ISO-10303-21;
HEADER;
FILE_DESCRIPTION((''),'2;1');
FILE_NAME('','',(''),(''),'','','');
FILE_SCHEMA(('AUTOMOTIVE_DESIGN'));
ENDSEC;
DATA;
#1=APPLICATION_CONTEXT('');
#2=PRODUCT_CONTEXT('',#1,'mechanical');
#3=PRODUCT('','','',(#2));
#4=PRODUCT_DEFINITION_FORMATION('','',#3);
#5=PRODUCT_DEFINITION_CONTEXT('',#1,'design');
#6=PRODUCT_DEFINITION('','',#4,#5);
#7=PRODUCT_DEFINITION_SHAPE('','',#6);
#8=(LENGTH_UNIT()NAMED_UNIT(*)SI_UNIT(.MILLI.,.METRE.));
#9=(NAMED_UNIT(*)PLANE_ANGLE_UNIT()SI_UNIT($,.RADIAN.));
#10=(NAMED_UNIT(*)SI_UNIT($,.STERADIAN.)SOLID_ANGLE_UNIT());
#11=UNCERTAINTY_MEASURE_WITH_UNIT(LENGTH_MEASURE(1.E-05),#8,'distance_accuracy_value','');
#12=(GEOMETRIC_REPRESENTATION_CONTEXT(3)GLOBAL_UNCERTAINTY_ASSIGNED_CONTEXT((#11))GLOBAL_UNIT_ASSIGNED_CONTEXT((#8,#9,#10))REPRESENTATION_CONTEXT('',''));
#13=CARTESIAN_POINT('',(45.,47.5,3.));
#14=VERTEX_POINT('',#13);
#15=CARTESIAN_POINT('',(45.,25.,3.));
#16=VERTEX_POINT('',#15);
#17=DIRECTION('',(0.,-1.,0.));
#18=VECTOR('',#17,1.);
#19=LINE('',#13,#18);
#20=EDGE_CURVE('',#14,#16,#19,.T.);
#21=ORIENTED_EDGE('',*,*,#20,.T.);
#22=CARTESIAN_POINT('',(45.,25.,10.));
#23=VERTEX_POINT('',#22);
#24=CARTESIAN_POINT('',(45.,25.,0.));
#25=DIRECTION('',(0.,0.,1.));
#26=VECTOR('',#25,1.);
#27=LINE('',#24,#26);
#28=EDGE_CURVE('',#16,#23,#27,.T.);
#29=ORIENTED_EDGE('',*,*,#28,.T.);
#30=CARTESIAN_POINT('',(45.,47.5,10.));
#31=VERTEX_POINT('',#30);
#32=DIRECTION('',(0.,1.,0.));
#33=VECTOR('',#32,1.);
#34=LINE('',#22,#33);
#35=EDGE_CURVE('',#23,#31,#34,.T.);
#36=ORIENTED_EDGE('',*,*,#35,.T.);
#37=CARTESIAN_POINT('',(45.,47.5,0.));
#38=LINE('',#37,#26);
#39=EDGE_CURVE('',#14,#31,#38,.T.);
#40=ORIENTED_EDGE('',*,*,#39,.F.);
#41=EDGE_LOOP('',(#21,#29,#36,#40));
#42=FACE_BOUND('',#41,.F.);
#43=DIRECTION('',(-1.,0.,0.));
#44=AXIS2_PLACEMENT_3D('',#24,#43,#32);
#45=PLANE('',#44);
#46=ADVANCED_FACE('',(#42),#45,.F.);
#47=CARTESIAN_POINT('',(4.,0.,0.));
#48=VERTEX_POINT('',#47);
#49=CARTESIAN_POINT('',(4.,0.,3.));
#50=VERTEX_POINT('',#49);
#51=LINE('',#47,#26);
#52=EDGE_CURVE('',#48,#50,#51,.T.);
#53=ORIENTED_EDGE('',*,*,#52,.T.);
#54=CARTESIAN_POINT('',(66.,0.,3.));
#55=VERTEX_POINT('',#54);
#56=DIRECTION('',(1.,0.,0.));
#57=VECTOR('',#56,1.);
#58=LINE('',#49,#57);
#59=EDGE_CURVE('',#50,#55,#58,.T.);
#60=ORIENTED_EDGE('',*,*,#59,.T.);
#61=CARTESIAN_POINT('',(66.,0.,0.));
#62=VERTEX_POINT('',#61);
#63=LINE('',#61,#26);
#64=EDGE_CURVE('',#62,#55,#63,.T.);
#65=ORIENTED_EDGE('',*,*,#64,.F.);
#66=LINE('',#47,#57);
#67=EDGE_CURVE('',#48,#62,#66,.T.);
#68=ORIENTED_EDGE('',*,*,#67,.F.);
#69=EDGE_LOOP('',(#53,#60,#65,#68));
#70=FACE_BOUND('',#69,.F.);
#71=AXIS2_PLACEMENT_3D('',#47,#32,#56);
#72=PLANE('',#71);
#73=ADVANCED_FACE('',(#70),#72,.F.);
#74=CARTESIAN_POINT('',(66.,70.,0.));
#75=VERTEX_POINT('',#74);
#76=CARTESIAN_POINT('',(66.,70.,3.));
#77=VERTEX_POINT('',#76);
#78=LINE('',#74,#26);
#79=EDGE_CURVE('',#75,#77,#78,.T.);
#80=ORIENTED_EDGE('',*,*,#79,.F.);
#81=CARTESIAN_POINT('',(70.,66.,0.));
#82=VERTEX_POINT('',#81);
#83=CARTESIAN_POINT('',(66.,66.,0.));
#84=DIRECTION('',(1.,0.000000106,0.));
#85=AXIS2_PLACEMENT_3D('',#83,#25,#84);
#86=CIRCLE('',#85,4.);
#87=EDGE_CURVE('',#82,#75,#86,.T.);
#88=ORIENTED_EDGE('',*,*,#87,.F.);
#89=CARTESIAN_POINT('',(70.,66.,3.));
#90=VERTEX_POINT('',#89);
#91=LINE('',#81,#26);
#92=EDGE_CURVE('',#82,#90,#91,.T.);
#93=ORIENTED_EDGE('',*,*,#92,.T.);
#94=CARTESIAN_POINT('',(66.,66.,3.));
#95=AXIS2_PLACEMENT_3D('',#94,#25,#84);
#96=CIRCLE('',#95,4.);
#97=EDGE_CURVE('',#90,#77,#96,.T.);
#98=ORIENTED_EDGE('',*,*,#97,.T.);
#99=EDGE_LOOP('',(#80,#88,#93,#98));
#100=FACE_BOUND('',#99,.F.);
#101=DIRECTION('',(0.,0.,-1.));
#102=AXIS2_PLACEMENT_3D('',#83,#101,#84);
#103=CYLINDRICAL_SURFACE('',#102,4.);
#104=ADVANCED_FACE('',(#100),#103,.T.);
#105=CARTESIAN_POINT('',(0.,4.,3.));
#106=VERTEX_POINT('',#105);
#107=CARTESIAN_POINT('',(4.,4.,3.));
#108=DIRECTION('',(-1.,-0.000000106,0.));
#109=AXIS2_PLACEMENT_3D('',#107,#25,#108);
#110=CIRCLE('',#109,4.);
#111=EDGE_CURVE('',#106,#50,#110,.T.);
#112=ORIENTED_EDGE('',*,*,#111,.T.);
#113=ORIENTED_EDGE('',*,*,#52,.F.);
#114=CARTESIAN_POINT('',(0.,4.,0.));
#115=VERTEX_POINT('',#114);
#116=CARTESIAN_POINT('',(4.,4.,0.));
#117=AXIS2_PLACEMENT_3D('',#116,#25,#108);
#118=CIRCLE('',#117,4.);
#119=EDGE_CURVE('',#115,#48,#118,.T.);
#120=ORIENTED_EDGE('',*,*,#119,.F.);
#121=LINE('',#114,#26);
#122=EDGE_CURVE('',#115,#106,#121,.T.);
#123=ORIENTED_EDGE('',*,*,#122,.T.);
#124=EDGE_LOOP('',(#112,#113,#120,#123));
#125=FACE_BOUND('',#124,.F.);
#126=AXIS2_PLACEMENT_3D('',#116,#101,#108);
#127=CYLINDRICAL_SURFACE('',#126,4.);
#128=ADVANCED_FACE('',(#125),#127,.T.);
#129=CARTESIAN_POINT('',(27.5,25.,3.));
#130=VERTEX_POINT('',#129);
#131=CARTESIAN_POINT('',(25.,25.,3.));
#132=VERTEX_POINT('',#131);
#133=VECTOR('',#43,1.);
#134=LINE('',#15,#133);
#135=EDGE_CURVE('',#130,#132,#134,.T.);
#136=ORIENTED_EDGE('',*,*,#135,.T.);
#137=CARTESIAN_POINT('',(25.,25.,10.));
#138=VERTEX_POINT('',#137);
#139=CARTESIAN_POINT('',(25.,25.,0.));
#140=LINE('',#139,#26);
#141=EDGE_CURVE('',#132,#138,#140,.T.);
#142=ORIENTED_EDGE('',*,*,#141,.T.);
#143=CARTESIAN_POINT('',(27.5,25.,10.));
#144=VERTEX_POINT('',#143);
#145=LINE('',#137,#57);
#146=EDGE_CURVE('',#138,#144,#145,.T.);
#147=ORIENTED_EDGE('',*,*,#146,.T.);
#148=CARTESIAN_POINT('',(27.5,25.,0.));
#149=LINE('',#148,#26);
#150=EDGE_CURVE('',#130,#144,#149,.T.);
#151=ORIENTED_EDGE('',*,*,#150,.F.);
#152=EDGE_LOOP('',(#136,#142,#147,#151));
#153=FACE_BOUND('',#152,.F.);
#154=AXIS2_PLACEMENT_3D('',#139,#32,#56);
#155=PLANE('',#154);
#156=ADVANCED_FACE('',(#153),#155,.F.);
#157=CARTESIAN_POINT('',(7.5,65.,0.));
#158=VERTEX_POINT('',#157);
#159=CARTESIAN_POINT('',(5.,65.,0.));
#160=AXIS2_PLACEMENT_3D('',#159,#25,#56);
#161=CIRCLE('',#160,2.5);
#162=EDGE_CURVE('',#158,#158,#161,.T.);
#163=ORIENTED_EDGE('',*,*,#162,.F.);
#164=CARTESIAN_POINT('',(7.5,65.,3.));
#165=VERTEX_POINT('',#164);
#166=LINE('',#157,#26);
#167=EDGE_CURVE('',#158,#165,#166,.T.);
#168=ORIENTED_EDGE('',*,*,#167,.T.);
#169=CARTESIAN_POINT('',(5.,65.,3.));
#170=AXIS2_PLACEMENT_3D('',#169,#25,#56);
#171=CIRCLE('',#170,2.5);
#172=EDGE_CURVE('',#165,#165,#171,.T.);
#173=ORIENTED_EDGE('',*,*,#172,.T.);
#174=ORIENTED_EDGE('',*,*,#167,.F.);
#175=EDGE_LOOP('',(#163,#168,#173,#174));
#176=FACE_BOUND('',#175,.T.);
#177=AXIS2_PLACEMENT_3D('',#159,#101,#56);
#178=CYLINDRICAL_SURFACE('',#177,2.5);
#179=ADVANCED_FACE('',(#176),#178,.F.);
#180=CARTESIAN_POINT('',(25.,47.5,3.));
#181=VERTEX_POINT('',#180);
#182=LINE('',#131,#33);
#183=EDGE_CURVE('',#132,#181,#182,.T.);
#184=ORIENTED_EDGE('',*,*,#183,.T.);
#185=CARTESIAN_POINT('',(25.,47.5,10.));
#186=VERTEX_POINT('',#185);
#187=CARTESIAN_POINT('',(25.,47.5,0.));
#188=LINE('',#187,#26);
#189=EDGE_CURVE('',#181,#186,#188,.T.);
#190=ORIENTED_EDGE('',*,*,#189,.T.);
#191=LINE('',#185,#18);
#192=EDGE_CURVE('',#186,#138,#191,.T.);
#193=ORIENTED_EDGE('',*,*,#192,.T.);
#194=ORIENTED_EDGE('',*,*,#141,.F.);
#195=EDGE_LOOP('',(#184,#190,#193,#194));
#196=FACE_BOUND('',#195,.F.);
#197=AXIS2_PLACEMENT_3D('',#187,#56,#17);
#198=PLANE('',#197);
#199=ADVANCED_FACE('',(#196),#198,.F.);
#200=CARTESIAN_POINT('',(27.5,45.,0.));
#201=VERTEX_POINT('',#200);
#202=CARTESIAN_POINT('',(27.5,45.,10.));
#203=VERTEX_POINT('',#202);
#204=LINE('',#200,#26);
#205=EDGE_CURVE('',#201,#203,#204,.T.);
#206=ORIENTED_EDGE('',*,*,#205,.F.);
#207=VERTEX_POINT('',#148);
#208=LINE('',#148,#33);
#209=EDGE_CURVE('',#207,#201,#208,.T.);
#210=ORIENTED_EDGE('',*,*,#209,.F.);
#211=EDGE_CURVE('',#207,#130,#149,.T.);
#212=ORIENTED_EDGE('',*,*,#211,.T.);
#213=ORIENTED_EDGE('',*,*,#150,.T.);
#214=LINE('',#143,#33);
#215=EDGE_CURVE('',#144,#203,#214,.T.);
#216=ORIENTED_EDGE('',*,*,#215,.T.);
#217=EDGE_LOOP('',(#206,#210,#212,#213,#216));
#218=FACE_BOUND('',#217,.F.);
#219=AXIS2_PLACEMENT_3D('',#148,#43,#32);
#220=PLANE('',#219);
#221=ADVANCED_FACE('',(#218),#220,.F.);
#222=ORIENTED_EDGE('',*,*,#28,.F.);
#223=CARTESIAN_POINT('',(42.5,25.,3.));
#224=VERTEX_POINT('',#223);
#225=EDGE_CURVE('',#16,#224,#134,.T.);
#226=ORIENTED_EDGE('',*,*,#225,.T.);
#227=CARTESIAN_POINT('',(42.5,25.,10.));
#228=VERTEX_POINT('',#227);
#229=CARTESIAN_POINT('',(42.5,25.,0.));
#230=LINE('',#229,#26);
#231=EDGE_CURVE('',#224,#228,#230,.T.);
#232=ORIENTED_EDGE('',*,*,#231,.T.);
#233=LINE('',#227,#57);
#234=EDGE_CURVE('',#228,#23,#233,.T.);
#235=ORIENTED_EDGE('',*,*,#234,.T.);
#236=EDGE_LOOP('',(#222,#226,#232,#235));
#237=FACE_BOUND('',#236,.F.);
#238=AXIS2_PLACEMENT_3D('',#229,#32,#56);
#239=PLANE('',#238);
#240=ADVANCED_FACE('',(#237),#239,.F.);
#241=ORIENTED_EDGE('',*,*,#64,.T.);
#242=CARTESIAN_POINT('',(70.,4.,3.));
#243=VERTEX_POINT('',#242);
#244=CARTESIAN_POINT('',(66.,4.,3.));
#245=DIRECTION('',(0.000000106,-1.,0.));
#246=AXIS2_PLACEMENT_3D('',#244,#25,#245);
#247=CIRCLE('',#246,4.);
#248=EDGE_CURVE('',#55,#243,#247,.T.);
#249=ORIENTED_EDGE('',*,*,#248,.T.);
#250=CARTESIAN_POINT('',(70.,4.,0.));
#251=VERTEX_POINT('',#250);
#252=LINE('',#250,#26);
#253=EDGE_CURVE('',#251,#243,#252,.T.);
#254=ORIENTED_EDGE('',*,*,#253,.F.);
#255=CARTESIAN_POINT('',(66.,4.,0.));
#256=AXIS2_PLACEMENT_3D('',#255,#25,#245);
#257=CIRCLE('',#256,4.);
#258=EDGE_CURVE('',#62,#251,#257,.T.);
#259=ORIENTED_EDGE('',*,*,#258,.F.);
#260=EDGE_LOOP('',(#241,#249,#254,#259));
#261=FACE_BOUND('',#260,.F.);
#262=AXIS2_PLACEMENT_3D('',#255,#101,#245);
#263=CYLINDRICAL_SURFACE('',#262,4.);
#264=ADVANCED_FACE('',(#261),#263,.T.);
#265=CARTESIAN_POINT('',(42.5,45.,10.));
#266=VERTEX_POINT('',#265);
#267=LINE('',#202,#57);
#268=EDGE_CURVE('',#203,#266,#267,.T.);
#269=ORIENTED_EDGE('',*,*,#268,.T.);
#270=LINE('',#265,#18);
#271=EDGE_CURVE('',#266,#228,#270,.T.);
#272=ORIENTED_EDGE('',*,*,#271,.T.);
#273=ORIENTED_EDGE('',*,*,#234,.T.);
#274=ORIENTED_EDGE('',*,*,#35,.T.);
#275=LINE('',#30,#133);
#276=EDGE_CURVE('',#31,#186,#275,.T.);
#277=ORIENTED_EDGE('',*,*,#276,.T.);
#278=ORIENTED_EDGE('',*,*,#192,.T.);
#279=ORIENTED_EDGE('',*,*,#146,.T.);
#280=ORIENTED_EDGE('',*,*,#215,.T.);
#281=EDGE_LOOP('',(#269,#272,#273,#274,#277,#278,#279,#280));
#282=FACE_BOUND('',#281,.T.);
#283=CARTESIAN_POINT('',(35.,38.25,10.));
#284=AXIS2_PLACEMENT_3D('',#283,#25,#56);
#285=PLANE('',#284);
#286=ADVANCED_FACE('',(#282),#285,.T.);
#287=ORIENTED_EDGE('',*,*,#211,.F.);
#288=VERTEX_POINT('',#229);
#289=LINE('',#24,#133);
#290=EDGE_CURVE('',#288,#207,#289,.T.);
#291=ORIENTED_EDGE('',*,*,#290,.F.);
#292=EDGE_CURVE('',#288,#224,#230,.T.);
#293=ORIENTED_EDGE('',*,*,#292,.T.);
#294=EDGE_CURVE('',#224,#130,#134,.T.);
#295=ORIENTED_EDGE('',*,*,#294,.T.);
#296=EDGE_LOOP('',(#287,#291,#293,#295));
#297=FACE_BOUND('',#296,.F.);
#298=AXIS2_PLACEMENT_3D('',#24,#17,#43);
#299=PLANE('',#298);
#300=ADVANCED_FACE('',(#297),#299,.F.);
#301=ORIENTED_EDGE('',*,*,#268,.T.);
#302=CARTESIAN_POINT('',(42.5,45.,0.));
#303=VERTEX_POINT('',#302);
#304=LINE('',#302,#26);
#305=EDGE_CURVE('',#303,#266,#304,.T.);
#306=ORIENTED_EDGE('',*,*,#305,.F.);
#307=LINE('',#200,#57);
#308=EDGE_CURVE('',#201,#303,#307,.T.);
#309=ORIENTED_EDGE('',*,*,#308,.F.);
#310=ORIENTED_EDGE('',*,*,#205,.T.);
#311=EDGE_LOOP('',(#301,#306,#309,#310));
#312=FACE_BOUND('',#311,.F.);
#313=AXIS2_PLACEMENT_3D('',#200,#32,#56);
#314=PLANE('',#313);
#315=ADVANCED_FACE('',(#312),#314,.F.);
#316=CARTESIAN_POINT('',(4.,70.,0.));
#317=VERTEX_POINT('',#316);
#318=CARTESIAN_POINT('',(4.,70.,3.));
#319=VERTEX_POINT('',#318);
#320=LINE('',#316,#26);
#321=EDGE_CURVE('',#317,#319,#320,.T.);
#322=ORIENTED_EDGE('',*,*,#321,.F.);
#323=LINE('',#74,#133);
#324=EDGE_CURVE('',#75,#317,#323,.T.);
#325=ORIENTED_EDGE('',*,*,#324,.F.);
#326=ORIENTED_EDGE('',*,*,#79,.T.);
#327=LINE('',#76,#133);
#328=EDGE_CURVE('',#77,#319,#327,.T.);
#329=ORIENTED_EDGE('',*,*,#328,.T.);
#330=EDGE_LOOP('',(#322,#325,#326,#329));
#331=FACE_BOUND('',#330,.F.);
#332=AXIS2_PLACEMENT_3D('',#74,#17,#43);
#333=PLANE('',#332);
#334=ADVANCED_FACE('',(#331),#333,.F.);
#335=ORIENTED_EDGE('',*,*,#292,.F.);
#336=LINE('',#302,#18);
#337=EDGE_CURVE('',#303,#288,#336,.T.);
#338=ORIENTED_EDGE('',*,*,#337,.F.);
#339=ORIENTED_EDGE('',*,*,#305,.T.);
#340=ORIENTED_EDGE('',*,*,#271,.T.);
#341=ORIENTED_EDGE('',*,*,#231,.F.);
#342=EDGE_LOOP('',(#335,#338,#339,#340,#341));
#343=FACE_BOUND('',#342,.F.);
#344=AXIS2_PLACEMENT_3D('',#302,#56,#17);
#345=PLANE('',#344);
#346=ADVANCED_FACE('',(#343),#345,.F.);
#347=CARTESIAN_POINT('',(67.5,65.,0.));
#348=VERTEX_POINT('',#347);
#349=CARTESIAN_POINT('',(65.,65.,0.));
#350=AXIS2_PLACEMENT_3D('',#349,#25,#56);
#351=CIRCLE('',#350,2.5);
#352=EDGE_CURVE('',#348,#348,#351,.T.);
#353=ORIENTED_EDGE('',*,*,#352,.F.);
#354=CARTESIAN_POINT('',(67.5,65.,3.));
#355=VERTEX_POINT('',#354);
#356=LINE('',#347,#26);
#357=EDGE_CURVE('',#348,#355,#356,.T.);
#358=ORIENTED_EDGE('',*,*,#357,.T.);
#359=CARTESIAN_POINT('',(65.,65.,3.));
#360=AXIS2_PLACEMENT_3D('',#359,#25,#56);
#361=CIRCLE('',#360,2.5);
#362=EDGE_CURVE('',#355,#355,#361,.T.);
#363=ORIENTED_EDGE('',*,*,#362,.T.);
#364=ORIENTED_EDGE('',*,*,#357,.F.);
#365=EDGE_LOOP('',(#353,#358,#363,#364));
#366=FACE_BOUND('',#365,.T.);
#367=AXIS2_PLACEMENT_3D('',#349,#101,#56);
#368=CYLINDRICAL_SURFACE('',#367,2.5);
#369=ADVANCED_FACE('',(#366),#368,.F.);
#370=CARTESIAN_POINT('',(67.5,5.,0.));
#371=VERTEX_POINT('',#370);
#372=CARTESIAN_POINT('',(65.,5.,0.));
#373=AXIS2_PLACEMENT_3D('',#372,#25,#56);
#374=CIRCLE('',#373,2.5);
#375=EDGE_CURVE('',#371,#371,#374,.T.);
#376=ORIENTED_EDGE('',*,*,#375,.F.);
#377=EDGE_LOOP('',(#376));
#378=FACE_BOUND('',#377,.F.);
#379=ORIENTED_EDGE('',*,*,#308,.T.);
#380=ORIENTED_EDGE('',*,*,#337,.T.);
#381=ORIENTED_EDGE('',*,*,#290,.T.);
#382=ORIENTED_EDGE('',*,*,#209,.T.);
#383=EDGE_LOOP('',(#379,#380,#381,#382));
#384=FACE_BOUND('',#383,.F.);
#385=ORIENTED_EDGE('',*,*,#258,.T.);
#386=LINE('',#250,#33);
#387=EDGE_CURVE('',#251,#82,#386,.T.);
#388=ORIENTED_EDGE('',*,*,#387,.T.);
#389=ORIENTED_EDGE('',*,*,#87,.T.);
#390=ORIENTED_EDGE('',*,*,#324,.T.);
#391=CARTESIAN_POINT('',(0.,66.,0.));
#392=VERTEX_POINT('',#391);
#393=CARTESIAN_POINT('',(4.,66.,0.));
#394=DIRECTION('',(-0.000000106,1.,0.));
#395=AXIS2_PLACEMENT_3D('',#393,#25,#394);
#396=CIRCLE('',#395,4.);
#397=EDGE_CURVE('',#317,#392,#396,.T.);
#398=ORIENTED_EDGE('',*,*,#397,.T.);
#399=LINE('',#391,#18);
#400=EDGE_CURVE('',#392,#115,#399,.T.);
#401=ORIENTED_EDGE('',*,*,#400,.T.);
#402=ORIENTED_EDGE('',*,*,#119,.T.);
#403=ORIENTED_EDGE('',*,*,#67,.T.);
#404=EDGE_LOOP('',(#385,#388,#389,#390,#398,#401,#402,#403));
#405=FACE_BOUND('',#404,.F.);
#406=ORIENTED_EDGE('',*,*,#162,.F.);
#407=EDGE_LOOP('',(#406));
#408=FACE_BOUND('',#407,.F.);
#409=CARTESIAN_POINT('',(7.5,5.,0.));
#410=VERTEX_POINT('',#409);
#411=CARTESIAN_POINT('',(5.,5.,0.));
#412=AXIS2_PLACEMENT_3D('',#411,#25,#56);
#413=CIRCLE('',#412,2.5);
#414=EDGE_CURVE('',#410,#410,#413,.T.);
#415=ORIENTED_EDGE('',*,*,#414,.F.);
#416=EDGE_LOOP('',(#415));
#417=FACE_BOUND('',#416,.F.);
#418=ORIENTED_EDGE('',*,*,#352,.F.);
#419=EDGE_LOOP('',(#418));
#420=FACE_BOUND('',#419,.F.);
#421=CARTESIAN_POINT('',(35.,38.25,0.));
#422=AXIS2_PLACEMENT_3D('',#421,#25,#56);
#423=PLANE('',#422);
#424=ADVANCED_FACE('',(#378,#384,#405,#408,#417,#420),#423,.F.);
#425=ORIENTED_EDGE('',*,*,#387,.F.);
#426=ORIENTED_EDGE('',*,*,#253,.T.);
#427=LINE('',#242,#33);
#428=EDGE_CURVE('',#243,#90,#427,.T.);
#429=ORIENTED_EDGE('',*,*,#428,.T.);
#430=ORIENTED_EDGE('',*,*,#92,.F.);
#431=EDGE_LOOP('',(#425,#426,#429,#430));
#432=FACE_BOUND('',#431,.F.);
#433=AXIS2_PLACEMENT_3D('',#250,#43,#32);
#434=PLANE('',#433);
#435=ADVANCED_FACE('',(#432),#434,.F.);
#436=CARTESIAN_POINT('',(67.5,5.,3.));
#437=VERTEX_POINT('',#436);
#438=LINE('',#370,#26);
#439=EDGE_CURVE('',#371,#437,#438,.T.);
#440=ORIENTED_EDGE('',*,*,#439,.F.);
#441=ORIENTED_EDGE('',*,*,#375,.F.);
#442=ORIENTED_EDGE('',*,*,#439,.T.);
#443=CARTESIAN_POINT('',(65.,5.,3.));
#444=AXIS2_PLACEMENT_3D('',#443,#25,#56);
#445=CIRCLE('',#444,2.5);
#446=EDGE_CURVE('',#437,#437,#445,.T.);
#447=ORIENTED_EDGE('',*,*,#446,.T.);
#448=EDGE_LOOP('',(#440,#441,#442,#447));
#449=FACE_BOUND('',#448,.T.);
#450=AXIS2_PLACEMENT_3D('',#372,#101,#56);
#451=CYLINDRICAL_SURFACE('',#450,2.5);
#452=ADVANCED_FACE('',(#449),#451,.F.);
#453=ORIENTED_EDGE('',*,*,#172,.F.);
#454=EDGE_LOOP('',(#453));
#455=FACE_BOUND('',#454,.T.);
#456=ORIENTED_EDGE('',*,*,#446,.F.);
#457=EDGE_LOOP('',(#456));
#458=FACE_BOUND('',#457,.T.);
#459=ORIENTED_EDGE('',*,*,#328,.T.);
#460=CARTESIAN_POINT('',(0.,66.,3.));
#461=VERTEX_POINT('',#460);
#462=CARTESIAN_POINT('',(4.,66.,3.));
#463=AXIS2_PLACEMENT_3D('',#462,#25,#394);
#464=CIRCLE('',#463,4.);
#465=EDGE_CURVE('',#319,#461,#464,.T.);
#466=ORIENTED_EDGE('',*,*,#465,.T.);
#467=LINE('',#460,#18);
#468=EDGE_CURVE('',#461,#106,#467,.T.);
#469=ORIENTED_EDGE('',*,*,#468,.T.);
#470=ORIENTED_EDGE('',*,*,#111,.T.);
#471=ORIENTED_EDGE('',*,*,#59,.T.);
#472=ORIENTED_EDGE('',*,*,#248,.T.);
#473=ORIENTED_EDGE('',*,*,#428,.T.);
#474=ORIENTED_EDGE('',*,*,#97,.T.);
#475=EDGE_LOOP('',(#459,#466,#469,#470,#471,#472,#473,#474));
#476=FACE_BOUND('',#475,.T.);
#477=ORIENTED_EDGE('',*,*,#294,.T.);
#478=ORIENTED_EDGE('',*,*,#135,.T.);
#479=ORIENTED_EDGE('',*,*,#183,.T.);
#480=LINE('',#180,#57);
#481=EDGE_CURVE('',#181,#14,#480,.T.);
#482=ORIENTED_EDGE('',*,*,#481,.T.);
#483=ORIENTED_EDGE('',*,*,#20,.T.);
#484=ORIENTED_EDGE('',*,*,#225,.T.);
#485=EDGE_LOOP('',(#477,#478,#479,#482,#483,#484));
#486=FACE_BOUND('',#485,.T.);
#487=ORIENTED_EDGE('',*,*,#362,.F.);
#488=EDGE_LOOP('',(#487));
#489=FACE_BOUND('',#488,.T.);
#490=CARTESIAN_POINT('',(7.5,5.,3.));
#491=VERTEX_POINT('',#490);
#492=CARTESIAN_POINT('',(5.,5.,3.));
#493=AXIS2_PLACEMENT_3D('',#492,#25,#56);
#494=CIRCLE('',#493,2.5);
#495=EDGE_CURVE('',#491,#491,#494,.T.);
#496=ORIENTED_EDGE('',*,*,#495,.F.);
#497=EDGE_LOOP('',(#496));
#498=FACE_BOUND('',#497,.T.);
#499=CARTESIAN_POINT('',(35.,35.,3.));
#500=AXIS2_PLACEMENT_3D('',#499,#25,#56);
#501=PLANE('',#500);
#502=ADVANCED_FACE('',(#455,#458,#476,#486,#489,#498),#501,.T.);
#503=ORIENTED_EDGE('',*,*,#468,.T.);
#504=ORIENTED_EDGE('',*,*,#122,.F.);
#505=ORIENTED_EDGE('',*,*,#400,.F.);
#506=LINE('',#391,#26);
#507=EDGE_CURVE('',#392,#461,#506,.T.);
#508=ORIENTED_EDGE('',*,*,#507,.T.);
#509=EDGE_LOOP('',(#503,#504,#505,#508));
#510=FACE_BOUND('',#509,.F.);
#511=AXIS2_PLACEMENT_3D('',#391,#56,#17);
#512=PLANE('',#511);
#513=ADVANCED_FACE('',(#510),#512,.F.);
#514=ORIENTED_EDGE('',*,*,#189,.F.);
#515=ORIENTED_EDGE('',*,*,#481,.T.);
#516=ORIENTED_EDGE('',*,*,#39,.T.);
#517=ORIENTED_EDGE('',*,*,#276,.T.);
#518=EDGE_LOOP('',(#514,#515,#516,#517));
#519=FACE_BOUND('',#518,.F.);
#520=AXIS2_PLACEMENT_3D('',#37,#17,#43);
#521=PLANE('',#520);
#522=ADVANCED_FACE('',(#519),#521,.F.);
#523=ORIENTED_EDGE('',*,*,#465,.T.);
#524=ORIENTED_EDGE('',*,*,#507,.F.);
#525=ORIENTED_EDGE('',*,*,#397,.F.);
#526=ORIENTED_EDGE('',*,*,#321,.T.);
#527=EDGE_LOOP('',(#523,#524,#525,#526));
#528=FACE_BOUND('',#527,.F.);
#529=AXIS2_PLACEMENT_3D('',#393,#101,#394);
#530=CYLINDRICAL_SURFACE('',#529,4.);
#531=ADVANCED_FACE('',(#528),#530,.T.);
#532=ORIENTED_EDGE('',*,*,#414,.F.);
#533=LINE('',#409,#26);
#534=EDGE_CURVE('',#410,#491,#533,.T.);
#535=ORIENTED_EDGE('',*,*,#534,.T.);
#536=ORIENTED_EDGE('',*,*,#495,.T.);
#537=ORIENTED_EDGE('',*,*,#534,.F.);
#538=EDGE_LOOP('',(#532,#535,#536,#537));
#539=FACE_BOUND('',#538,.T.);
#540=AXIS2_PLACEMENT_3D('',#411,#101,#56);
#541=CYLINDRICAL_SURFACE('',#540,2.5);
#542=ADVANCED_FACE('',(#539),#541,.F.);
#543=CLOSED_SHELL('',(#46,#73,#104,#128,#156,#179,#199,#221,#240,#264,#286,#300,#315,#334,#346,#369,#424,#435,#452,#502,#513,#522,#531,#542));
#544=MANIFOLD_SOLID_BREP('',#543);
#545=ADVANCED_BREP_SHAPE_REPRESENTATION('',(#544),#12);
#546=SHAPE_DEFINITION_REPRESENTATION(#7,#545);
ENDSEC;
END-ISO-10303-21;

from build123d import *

# Parameters (mm, degrees)
F0_R     = 2.5
F1_DEPTH = 3
F2_DEPTH = 10


with BuildPart() as f1:
    # F0 (on Top) → F1 (new body)
    with BuildSketch(Plane.XY):
        with BuildLine():
            ThreePointArc((0, 4), (1.171573, 1.171573), (4, 0))
            Line((4, 0), (66, 0))
            ThreePointArc((66, 0), (68.828427, 1.171573), (70, 4))
            Line((70, 4), (70, 66))
            ThreePointArc((70, 66), (68.828427, 68.828427), (66, 70))
            Line((66, 70), (4, 70))
            ThreePointArc((4, 70), (1.171573, 68.828427), (0, 66))
            Line((0, 66), (0, 4))
        make_face()
        with Locations((5, 5)):
            Circle(F0_R, mode=Mode.SUBTRACT)
        with Locations((65, 5)):
            Circle(F0_R, mode=Mode.SUBTRACT)
        with Locations((5, 65)):
            Circle(F0_R, mode=Mode.SUBTRACT)
        Polygon((45, 25), (42.5, 25), (27.5, 25), (25, 25), (25, 47.5), (45, 47.5), align=None, mode=Mode.SUBTRACT)
        with Locations((65, 65)):
            Circle(F0_R, mode=Mode.SUBTRACT)
    extrude(amount=F1_DEPTH)

    # F0 (on Top) → F2 (join)
    with BuildSketch(Plane.XY):
        Polygon((42.5, 45), (42.5, 25), (45, 25), (45, 47.5), (25, 47.5), (25, 25), (27.5, 25), (27.5, 45), align=None)
    extrude(amount=F2_DEPTH)


solid = f1.part
